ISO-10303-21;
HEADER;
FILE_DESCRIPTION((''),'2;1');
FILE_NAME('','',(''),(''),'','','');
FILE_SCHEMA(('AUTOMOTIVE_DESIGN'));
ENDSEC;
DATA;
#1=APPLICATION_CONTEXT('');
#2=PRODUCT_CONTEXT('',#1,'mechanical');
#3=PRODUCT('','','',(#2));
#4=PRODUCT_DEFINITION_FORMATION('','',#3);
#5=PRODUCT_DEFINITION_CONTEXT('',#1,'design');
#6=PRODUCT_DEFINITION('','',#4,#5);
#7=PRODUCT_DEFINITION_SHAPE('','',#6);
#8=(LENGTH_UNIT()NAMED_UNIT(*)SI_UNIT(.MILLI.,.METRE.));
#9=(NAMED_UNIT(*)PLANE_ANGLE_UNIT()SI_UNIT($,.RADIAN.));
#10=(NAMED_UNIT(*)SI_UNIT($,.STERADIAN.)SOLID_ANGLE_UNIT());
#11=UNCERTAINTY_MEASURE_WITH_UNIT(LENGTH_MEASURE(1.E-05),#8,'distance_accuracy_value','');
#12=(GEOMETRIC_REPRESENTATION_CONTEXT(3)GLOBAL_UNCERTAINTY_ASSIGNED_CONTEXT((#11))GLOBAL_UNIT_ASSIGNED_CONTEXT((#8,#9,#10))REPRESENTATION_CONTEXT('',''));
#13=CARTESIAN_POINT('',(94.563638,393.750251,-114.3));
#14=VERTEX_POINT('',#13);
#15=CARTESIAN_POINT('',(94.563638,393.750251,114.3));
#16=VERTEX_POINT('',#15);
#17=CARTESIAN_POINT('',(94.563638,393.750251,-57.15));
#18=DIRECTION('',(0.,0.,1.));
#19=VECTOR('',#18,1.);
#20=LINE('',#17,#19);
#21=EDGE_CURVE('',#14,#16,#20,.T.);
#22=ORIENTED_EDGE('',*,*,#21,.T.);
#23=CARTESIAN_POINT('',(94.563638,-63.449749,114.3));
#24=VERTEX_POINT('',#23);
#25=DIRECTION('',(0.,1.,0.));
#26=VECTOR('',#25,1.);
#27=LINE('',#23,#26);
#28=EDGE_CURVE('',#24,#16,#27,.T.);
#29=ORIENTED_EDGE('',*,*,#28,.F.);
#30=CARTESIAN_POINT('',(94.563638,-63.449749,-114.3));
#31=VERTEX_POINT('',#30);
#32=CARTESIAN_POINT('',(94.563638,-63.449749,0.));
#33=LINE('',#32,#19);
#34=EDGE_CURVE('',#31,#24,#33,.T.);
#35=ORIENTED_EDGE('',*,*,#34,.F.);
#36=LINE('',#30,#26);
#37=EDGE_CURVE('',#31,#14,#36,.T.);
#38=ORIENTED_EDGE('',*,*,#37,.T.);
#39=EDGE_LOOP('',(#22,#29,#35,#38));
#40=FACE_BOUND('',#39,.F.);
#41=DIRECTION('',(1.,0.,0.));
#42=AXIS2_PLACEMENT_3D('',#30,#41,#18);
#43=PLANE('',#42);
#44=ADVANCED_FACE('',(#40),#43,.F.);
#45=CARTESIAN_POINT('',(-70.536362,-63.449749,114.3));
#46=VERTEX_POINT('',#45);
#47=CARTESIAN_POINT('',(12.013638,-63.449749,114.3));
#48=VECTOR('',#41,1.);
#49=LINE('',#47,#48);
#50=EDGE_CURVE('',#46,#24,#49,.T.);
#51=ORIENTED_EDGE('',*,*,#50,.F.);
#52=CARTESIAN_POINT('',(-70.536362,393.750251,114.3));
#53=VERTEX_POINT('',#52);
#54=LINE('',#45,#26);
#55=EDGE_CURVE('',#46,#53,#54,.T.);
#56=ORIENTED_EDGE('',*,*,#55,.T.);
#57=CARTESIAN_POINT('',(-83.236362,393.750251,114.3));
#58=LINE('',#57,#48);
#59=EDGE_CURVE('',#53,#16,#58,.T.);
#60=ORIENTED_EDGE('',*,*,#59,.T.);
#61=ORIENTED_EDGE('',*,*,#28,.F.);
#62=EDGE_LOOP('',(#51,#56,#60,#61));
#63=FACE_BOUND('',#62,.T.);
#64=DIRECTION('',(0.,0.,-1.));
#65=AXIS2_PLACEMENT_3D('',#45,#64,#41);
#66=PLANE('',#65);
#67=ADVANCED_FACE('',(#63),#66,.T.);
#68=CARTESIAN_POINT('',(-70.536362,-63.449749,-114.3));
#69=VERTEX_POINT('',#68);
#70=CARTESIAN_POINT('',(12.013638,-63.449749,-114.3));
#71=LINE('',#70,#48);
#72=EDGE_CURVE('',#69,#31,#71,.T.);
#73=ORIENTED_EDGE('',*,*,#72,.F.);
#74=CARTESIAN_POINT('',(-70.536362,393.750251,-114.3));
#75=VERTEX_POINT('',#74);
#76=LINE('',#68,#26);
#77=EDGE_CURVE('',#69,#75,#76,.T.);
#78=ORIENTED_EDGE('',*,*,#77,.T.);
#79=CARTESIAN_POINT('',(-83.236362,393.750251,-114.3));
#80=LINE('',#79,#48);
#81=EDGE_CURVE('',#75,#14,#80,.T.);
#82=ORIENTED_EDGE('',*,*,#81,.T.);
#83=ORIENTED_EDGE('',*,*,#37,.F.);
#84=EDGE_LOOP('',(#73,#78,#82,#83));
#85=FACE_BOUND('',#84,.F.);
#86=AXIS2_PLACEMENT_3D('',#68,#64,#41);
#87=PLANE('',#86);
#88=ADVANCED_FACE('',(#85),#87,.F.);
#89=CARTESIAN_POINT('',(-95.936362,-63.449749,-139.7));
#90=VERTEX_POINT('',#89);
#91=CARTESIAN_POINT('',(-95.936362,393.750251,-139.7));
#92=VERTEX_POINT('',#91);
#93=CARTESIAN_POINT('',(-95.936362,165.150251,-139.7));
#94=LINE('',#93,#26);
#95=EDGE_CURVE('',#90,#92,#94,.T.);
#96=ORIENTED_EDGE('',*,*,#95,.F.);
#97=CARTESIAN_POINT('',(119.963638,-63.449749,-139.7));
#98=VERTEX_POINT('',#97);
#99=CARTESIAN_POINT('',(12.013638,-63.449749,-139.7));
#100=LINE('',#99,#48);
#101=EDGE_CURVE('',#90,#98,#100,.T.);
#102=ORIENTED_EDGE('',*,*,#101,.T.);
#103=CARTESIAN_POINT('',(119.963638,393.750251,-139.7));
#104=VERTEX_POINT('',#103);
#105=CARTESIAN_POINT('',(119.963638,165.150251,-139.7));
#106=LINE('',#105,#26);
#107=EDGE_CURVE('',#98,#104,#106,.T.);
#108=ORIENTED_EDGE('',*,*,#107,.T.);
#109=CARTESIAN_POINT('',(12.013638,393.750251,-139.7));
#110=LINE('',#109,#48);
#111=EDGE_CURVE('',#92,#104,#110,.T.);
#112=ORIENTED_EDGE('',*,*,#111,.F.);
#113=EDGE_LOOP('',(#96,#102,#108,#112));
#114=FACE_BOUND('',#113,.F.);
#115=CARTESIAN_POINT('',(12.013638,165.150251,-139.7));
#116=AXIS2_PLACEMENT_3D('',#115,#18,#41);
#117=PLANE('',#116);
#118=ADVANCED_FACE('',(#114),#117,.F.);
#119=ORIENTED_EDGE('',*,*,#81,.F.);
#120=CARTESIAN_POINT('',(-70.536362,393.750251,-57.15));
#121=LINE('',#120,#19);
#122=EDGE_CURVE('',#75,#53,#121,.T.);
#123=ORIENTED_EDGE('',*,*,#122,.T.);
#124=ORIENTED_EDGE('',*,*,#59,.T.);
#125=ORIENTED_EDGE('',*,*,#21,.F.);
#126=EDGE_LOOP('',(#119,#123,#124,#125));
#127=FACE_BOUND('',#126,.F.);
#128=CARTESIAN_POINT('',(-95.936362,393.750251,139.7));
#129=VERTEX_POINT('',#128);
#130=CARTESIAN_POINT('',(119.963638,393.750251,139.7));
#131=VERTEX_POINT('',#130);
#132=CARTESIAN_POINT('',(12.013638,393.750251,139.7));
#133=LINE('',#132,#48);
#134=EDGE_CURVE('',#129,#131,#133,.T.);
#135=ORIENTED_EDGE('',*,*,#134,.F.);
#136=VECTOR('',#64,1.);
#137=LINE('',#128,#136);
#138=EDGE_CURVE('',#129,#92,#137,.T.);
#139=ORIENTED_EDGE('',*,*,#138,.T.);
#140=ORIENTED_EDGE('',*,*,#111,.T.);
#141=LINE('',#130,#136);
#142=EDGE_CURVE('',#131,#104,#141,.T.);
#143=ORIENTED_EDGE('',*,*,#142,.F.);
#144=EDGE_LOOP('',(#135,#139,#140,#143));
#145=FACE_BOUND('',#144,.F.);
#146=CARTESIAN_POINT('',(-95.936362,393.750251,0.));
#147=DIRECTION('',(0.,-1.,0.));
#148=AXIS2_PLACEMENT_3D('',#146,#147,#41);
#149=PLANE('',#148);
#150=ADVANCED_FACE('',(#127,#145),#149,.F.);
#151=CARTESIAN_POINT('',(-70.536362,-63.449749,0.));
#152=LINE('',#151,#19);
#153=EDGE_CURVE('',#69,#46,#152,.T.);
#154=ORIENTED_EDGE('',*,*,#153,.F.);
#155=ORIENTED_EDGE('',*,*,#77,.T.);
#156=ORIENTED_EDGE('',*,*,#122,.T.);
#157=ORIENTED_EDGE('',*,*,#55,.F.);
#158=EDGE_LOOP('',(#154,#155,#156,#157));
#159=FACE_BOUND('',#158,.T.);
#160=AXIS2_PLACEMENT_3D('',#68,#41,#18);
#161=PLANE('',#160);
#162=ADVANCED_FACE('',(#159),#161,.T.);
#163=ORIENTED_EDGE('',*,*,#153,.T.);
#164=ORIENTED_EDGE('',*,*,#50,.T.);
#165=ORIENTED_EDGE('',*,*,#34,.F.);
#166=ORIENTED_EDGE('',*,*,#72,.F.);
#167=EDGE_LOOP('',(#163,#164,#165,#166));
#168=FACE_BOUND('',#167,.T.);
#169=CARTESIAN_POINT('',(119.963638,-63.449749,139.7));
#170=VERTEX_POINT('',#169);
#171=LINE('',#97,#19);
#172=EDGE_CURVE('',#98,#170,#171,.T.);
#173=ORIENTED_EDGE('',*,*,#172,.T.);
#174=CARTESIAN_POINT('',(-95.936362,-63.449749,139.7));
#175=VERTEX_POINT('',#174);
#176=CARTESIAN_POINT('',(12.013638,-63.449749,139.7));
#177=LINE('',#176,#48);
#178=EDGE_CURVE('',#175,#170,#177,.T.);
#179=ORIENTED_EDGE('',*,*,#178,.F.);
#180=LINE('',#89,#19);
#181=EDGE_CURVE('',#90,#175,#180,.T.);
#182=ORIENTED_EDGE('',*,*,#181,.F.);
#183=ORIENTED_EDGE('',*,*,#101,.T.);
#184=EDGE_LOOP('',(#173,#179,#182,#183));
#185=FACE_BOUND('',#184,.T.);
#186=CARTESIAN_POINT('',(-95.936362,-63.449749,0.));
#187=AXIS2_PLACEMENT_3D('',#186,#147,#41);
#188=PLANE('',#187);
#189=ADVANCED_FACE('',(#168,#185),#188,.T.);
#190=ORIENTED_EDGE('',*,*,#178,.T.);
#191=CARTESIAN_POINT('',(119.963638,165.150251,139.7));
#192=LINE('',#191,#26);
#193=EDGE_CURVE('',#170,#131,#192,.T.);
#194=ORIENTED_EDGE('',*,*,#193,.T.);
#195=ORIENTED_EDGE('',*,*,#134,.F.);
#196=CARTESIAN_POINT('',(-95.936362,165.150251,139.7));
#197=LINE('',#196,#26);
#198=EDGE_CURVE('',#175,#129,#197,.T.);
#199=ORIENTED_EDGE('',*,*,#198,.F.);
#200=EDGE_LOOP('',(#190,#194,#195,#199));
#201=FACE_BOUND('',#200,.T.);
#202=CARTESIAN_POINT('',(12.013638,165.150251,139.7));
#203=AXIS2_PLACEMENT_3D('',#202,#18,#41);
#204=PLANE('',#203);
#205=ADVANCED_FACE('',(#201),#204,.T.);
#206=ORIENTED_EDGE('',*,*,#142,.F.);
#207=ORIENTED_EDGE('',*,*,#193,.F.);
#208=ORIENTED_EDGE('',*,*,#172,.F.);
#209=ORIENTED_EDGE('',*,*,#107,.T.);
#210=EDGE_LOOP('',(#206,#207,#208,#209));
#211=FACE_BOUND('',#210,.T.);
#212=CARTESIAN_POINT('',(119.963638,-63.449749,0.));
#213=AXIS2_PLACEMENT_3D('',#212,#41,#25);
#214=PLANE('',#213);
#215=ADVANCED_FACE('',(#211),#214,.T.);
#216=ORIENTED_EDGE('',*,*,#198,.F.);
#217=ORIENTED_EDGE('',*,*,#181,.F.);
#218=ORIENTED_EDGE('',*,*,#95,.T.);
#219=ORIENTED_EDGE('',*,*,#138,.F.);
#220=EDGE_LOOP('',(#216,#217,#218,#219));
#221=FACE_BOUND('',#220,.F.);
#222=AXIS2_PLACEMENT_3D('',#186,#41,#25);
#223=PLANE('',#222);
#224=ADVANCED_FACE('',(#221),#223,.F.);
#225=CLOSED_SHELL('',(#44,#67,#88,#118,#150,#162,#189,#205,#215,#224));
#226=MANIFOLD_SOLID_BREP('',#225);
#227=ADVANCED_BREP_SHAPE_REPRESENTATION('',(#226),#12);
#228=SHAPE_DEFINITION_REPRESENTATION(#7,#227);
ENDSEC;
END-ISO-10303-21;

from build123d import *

# Parameters (mm, degrees)
F0_W     = 215.9
F0_H     = 457.2
F1_DEPTH = 139.7
F2_W     = 165.1
F2_H     = 228.6
F3_DEPTH = 477.52


with BuildPart() as f1:
    # F0 (on Top) → F1 (new body, symmetric)
    with BuildSketch(Plane.XY):
        with Locations((12.013638, 165.150251)):
            Rectangle(F0_W, F0_H)
    extrude(amount=F1_DEPTH, both=True)

    # F2 (on face) → F3 (cut)
    with BuildSketch(Plane.XZ.offset(63.449749)):
        with Locations((12.013638, 0)):
            Rectangle(F2_W, F2_H)
    extrude(amount=-F3_DEPTH, mode=Mode.SUBTRACT)


solid = f1.part
